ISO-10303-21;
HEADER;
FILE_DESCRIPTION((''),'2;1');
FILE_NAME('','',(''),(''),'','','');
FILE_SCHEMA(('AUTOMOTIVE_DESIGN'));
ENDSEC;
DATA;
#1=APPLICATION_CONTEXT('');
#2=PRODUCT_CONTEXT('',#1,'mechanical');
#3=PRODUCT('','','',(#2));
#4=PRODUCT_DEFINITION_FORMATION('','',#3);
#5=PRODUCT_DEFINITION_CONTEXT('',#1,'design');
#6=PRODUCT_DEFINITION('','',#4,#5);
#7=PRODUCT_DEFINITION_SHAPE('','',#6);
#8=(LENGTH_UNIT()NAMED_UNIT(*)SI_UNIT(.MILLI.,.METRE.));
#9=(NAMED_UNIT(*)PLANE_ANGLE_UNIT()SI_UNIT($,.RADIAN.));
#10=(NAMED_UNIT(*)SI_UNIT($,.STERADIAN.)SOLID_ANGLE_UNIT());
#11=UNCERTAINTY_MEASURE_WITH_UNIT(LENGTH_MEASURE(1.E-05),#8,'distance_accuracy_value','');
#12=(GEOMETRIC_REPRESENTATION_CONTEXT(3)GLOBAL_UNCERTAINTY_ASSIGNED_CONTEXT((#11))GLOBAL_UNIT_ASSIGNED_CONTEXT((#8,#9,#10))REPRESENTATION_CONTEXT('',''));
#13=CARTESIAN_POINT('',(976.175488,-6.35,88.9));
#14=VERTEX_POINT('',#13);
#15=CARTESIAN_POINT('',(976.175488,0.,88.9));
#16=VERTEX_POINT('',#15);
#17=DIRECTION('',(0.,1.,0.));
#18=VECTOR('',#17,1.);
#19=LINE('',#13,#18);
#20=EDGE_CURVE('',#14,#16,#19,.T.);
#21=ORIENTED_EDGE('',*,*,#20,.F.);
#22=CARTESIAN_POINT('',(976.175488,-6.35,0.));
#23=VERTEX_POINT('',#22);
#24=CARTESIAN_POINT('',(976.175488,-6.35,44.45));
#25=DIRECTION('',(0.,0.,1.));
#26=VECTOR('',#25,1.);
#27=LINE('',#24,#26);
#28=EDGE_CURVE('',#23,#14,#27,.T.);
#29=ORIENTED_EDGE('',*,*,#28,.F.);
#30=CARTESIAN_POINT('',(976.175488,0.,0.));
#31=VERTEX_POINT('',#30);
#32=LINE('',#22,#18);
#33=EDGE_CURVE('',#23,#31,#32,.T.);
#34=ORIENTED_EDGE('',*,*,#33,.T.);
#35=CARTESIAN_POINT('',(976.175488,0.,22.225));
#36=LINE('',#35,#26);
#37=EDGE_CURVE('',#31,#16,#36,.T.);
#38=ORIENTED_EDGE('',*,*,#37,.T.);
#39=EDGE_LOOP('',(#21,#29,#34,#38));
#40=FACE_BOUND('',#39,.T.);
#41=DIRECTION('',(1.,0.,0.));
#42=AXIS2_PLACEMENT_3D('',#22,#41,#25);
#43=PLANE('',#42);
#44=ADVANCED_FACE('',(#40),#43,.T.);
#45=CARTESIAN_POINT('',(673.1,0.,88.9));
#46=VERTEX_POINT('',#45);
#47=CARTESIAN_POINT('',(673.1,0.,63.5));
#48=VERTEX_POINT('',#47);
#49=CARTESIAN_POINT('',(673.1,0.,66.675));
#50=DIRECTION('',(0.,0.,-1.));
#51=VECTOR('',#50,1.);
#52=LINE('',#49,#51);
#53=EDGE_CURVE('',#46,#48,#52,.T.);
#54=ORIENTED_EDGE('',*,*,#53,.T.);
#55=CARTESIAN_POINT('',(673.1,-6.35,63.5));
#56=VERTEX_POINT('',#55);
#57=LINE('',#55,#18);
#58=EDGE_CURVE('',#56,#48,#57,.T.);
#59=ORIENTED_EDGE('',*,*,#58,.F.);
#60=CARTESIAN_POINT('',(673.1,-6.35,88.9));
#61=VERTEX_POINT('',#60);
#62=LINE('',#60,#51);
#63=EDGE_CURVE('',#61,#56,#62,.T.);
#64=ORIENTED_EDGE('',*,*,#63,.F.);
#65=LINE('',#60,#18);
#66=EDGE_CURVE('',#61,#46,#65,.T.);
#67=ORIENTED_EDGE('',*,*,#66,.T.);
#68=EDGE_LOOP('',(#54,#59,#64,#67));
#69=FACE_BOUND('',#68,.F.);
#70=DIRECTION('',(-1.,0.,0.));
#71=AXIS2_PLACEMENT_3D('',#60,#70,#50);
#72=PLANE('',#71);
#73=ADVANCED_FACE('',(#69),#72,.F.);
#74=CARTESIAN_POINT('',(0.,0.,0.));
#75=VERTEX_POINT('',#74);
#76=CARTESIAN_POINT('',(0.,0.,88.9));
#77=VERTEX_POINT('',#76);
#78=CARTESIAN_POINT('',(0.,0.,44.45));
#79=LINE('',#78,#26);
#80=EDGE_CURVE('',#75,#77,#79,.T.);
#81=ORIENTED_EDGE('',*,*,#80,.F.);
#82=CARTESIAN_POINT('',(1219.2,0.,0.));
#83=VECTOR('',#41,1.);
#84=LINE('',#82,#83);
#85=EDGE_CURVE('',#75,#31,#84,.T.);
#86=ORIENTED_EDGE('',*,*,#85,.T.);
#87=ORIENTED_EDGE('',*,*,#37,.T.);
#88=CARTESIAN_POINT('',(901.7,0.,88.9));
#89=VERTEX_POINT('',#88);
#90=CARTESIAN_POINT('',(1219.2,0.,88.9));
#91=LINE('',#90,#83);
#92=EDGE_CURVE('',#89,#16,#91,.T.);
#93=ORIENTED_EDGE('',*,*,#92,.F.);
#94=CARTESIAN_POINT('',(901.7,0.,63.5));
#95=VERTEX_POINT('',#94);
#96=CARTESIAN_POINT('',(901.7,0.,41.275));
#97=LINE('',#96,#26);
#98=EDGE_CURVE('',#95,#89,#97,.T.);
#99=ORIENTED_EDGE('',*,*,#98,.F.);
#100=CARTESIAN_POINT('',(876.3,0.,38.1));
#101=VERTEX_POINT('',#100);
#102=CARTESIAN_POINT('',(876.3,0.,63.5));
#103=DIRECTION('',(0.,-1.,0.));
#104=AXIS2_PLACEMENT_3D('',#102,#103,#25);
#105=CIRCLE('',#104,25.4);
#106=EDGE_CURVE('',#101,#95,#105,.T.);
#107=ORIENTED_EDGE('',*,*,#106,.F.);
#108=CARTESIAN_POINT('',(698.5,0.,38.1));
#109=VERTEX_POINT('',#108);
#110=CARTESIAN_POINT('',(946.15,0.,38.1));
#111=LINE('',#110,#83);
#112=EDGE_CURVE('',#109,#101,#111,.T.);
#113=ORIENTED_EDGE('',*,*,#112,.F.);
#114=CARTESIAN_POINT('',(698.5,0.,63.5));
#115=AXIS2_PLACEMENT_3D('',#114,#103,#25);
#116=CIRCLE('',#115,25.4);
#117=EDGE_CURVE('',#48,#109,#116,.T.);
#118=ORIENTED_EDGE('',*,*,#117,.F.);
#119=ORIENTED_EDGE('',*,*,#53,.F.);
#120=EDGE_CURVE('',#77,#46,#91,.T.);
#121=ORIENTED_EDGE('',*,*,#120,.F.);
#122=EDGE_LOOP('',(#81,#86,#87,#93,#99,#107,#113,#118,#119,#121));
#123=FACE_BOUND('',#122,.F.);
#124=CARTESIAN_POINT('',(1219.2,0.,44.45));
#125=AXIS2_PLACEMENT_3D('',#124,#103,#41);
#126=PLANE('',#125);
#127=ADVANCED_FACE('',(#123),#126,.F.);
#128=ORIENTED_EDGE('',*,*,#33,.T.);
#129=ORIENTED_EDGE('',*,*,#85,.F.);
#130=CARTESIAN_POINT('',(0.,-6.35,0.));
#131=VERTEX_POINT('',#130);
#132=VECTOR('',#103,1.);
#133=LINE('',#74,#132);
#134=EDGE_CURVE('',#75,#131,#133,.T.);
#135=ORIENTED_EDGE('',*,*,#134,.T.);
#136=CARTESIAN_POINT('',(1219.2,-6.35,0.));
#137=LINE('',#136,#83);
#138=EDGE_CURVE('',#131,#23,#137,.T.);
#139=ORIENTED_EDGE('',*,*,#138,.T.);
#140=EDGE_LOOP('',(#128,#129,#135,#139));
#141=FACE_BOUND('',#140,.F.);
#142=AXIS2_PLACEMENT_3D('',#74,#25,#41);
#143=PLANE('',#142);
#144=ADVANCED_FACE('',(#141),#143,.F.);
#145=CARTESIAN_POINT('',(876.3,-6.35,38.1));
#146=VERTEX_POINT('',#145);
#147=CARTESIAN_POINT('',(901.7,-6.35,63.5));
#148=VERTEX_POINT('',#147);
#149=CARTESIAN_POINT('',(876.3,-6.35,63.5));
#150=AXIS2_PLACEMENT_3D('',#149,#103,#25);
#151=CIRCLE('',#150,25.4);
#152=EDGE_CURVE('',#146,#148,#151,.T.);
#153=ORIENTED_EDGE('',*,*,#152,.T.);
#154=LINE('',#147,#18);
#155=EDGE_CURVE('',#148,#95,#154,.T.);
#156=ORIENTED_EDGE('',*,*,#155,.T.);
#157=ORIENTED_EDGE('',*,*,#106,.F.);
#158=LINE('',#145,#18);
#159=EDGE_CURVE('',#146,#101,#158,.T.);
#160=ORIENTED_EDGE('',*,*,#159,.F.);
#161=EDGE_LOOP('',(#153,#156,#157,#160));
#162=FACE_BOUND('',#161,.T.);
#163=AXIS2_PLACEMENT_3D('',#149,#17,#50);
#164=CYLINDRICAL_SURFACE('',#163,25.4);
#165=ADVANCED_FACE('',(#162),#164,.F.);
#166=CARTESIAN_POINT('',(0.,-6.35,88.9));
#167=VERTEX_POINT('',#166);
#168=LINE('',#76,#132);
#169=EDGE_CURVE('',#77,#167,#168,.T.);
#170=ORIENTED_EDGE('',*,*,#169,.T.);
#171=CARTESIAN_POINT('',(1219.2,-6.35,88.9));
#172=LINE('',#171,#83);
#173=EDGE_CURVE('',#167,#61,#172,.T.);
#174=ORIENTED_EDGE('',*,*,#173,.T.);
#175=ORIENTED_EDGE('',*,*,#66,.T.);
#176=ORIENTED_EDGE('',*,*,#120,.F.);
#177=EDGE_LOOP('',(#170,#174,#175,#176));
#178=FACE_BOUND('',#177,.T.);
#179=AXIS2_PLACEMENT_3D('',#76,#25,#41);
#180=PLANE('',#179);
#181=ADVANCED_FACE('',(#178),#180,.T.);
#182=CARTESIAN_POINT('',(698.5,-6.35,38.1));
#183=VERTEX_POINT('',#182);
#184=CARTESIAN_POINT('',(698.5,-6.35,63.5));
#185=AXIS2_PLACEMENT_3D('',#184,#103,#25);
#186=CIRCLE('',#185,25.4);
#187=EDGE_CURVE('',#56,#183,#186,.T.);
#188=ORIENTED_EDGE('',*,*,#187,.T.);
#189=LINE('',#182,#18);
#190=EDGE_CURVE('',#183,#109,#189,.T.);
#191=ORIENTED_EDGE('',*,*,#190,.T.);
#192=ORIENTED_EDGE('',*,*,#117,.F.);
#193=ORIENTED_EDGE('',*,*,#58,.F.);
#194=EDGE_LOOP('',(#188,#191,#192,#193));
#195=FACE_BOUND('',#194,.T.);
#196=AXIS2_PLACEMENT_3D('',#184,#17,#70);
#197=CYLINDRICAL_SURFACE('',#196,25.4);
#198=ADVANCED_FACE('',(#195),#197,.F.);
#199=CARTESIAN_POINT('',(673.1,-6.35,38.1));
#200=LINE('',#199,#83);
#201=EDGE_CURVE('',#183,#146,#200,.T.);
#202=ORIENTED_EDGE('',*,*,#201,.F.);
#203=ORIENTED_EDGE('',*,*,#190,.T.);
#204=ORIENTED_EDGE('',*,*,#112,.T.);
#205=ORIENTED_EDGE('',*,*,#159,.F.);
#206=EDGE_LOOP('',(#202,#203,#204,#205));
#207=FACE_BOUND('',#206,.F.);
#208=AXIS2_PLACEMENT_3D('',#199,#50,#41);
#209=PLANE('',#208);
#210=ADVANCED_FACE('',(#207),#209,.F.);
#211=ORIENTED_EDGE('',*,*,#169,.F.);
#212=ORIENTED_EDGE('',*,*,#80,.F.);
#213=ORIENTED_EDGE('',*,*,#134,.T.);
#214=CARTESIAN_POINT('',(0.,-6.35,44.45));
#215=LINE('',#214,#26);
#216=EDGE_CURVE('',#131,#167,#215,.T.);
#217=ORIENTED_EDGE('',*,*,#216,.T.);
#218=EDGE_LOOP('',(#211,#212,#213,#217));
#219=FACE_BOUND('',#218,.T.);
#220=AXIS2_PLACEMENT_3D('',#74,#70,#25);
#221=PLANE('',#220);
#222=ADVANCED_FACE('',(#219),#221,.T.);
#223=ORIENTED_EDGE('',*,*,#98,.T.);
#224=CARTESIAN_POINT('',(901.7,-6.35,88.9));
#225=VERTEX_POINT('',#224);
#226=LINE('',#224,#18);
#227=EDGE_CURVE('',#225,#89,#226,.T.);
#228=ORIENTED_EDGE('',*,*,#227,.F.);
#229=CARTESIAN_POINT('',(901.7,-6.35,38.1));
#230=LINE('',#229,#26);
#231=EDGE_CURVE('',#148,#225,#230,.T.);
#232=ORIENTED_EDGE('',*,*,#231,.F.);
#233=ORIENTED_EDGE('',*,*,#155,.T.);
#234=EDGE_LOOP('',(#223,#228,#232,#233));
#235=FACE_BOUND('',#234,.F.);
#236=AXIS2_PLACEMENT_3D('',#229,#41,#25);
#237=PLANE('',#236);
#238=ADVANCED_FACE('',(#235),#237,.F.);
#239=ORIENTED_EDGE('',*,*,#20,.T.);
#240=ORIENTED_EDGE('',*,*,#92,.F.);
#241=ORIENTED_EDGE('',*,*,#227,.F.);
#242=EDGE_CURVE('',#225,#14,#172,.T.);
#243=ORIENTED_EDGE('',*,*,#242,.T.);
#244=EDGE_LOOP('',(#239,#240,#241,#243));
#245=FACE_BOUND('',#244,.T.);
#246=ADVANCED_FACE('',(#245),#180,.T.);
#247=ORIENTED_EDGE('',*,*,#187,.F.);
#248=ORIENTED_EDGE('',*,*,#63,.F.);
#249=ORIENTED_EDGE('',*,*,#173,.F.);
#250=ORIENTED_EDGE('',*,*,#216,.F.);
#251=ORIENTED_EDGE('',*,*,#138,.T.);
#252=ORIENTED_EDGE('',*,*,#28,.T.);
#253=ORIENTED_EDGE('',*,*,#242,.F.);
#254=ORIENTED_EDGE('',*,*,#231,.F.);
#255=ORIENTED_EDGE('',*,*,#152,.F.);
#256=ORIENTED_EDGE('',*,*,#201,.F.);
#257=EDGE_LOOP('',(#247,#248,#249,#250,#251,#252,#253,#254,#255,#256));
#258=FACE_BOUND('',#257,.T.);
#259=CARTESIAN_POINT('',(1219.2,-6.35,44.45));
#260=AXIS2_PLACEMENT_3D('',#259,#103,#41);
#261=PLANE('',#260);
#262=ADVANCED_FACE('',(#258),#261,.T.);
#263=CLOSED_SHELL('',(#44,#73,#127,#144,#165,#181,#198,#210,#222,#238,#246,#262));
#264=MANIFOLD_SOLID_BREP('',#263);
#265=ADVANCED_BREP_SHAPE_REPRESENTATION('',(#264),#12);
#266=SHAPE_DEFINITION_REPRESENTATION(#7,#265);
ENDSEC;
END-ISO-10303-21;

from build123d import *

# Parameters (mm, degrees)
F0_W     = 2438.4
F0_H     = 88.9
F1_DEPTH = 6.35
F3_DEPTH = 6.351
F4_R     = 25.4
F5_W     = 1462.224513
F5_H     = 88.9
F6_DEPTH = 6.351


with BuildPart() as f1:
    # F0 (on Front) → F1 (new body)
    with BuildSketch(Plane.XZ):
        with Locations((1219.2, 44.45)):
            Rectangle(F0_W, F0_H)
    extrude(amount=F1_DEPTH)

    # F2 (on face) → F3 (cut, through all)
    with BuildSketch(Plane.XZ.offset(6.35)):
        Polygon((901.7, 88.9), (673.1, 88.9), (673.1, 38.1), (787.4, 38.1), (901.7, 38.1), align=None)
    extrude(amount=-F3_DEPTH, mode=Mode.SUBTRACT)

    # F4
    f4_edges = [f1.edges().sort_by_distance(p)[0] for p in [
        (673.1, -3.175, 38.1),
        (901.7, -3.175, 38.1),
    ]]
    fillet(f4_edges, radius=F4_R)

    # F5 (on face) → F6 (cut, through all)
    with BuildSketch(Plane.XZ.offset(6.35)):
        with Locations((1707.287744, 44.45)):
            Rectangle(F5_W, F5_H)
    extrude(amount=-F6_DEPTH, mode=Mode.SUBTRACT)


solid = f1.part
